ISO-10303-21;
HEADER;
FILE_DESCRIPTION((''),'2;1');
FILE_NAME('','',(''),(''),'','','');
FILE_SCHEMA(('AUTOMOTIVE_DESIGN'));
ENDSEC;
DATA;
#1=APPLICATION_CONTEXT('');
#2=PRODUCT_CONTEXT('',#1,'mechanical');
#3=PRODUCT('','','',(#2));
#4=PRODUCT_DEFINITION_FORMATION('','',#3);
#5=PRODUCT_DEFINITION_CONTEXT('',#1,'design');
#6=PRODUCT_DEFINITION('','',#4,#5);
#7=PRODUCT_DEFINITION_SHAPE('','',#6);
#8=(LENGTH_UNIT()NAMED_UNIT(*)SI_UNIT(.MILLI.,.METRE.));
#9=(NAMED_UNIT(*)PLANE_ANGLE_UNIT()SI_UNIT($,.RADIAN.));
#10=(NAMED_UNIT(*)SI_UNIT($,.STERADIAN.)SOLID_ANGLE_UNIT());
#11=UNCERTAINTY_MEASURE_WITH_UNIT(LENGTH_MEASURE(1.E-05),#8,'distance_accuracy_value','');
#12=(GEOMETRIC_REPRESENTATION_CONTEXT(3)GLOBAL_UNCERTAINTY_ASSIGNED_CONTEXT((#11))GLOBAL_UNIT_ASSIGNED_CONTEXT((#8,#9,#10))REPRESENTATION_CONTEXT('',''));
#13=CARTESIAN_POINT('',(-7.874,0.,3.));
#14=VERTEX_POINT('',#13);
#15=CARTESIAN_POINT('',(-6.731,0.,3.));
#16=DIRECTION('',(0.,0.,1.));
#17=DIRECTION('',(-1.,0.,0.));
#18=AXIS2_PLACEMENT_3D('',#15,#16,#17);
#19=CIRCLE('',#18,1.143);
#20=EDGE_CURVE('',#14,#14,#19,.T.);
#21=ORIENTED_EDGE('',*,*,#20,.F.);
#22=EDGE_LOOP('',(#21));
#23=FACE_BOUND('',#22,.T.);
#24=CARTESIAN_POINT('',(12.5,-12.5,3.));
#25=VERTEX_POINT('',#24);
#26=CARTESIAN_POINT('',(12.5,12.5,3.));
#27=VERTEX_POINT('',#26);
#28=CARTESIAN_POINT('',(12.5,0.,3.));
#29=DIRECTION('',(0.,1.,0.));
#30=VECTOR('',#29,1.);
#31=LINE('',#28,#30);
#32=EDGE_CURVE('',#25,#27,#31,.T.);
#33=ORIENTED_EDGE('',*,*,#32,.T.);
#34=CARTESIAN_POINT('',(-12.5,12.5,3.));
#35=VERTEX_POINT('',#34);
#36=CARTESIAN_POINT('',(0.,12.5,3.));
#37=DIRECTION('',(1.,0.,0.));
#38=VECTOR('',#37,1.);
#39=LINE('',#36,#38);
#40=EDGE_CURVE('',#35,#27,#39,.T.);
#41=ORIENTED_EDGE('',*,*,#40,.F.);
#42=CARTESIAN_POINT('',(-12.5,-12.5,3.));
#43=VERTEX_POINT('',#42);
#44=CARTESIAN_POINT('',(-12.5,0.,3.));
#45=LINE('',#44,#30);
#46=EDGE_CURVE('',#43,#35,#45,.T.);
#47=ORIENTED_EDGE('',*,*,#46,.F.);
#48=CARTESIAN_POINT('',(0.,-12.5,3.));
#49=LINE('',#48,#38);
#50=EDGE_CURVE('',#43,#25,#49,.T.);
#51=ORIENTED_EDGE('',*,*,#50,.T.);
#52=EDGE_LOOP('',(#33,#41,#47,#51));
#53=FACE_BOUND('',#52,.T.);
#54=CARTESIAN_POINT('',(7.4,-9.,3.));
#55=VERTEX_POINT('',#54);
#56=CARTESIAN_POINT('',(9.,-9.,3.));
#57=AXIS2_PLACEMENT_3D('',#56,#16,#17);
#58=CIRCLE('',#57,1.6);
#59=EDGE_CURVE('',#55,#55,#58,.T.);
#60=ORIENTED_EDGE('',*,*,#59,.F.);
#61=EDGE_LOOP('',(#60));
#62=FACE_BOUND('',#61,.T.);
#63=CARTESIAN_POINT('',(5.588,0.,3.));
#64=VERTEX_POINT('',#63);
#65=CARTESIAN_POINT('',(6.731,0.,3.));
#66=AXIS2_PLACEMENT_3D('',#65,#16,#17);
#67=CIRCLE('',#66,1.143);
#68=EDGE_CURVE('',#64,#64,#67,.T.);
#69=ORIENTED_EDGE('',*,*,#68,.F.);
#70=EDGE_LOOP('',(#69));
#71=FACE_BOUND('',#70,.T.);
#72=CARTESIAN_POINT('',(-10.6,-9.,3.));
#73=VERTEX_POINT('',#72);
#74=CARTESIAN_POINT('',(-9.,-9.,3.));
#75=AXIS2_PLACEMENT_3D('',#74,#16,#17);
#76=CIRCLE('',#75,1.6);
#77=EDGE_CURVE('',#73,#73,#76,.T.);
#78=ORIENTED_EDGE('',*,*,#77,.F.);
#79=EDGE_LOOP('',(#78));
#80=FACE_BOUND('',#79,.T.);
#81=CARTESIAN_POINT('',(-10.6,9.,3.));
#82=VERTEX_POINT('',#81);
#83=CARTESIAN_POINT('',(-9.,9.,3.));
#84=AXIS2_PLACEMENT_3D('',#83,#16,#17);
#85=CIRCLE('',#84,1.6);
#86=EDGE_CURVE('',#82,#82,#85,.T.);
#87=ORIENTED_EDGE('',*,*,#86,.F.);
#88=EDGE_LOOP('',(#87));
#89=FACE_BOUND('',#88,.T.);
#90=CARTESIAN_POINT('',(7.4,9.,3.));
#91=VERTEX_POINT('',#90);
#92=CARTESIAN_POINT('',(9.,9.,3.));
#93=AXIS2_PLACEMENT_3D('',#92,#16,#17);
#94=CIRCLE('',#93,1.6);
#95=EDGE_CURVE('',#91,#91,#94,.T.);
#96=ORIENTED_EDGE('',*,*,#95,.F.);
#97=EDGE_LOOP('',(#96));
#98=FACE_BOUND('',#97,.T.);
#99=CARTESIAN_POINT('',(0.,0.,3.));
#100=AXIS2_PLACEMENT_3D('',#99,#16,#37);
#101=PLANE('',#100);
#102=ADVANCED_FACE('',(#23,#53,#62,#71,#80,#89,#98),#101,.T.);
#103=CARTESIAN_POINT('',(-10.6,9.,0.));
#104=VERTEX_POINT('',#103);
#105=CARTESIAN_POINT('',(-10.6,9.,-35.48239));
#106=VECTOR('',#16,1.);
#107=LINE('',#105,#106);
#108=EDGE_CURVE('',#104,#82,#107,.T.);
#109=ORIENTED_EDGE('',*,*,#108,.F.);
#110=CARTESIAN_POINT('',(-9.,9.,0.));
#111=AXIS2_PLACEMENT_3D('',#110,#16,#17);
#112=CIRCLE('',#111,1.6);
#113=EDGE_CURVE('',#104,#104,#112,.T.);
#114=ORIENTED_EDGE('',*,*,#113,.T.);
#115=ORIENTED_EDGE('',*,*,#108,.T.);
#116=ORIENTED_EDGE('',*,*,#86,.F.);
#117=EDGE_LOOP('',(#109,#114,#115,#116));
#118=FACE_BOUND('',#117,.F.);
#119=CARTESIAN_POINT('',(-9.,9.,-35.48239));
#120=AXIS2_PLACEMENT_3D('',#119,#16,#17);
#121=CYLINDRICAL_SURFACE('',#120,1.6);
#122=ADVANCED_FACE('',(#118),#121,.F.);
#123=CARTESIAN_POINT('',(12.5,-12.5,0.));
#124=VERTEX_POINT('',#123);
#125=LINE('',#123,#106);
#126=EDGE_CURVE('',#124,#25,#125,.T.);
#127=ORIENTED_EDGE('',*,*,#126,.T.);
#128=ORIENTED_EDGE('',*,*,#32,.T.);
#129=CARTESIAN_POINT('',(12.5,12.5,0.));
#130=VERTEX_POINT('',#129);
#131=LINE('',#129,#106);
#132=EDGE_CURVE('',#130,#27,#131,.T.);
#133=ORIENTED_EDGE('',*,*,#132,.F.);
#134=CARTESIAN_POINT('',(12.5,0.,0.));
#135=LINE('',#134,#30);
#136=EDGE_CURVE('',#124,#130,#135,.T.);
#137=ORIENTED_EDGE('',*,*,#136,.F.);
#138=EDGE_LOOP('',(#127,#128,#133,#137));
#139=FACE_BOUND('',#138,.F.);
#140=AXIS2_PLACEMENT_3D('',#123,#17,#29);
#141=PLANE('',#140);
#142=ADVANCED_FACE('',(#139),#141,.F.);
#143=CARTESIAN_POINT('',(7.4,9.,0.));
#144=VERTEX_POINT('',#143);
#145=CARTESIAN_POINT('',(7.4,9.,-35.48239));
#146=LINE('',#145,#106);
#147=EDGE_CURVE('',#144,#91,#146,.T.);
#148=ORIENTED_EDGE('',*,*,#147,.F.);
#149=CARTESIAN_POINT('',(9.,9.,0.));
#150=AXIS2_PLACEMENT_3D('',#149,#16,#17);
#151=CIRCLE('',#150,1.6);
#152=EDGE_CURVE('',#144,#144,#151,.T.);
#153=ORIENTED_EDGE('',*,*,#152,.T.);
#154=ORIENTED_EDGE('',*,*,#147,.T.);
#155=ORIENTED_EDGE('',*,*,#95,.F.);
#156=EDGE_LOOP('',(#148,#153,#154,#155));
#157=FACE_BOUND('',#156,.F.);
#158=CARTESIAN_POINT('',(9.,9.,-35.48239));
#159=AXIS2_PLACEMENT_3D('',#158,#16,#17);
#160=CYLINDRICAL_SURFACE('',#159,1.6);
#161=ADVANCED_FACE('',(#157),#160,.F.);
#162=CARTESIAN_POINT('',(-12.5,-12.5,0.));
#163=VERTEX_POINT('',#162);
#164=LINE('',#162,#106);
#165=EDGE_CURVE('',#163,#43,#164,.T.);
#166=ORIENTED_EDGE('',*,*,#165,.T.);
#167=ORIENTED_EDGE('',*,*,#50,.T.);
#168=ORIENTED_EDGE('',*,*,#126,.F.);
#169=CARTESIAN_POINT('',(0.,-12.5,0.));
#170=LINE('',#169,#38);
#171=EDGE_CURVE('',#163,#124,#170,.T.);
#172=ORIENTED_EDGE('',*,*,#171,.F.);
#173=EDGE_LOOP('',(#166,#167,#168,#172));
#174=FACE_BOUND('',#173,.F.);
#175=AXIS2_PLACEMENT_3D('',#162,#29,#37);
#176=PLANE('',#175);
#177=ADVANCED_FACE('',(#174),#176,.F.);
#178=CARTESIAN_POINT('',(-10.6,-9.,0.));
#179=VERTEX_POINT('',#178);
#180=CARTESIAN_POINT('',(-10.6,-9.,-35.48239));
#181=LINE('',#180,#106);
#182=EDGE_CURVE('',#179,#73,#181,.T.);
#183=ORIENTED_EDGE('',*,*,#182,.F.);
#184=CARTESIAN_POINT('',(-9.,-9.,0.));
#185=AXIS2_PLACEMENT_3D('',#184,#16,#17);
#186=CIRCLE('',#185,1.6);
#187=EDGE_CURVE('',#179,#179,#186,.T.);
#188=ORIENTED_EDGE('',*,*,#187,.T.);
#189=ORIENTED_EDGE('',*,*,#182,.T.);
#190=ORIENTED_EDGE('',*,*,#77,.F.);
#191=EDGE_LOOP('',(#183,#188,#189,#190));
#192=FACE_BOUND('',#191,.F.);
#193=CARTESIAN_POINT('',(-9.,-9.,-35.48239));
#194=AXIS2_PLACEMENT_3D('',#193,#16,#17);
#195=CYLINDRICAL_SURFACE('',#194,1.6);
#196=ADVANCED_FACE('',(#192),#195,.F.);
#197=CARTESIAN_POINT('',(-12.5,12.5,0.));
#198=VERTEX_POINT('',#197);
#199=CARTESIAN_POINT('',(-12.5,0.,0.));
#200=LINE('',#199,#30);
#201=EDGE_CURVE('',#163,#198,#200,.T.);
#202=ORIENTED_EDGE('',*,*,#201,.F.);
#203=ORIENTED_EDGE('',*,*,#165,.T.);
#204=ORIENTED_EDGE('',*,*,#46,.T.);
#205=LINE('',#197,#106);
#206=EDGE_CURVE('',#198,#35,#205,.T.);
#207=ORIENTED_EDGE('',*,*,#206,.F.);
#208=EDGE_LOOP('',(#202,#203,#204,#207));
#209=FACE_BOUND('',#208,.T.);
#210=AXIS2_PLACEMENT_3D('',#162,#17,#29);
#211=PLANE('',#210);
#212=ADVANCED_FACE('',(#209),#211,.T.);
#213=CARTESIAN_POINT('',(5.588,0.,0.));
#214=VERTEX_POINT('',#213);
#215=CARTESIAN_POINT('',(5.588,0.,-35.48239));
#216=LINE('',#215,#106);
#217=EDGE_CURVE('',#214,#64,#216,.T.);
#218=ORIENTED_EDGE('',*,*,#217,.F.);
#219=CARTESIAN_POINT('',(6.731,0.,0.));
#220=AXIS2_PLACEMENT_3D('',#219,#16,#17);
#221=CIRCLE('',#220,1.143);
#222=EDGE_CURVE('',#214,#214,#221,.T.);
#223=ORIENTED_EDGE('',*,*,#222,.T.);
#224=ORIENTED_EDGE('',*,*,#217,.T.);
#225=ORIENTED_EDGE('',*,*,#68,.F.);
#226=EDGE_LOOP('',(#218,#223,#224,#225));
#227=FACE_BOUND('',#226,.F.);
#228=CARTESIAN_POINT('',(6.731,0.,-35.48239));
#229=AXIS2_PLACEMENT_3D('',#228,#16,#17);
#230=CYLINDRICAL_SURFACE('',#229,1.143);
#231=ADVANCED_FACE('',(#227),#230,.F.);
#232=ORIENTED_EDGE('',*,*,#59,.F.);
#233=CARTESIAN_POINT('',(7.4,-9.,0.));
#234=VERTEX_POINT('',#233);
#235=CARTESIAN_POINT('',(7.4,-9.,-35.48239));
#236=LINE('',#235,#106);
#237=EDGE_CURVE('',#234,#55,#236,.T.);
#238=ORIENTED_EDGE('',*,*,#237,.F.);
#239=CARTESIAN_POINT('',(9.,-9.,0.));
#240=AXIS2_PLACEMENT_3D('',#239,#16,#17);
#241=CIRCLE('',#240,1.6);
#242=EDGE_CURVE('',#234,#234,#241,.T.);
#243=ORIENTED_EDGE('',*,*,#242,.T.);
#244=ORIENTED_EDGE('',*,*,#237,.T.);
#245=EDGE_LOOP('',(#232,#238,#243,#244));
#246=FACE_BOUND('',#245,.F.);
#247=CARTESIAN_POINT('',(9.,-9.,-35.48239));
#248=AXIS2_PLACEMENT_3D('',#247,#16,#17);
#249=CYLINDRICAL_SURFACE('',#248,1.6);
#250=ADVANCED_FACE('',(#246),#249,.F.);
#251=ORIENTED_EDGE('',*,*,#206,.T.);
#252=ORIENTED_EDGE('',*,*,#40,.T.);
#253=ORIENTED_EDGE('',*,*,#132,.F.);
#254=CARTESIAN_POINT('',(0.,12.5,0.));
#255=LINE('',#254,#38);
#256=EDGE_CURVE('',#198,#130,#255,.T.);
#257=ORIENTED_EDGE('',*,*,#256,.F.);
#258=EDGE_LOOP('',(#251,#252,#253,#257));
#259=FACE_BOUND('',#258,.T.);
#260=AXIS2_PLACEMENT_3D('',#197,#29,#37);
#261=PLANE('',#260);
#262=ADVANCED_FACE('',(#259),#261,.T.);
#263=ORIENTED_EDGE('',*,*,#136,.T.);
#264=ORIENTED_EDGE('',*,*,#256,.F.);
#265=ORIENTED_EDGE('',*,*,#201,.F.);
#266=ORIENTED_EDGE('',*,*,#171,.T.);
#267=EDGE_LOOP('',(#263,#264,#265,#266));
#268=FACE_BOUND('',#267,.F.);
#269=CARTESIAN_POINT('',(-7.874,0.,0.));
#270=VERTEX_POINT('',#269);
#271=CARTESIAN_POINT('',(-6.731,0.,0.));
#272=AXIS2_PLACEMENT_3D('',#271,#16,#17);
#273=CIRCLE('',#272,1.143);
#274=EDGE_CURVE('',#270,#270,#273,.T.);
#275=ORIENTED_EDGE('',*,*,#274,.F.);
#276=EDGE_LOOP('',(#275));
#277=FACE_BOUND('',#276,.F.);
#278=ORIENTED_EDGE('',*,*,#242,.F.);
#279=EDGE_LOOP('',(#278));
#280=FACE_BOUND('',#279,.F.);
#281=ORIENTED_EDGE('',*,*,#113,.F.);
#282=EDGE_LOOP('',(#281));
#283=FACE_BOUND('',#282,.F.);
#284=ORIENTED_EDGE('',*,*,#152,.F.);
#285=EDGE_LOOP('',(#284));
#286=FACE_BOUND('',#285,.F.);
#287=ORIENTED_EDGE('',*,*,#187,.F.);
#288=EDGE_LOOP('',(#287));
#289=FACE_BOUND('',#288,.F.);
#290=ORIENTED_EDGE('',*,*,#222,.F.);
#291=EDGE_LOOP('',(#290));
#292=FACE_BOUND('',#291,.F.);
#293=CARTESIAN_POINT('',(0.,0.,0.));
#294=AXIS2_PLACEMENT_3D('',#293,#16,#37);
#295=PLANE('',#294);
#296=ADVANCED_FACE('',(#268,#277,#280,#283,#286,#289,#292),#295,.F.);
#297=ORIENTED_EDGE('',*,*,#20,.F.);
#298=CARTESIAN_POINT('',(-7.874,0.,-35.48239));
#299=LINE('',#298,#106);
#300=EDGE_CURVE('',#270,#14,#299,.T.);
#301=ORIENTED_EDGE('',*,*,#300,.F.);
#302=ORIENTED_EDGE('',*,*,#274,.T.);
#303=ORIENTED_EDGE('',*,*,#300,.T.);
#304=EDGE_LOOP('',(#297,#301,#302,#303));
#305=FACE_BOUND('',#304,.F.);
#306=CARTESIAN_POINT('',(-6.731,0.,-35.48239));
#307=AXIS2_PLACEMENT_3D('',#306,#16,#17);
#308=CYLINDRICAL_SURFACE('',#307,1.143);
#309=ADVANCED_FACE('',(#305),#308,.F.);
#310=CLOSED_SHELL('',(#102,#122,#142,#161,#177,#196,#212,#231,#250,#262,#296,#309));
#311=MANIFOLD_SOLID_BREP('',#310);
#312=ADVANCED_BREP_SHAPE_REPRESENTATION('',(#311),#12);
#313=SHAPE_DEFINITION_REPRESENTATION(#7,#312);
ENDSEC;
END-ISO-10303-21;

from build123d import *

# Parameters (mm, degrees)
F0_W     = 25
F0_H     = 25
F1_DEPTH = 3
F2_D     = 2.286
F3_D     = 3.2


with BuildPart() as f1:
    # F0 (on Top) → F1 (new body)
    with BuildSketch(Plane.XY):
        Rectangle(F0_W, F0_H)
    extrude(amount=F1_DEPTH)

    # F2 (through all)
    with Locations(Plane(origin=(0, 0, 0), x_dir=(1, 0, 0), z_dir=(0, 0, -1))):
        with Locations((-6.731, 0), (6.731, 0)):
            Hole(F2_D / 2)

    # F3 (through all)
    with Locations(Plane(origin=(0, 0, 0), x_dir=(1, 0, 0), z_dir=(0, 0, -1))):
        with Locations((-9, 9), (-9, -9), (9, 9), (9, -9)):
            Hole(F3_D / 2)


solid = f1.part
